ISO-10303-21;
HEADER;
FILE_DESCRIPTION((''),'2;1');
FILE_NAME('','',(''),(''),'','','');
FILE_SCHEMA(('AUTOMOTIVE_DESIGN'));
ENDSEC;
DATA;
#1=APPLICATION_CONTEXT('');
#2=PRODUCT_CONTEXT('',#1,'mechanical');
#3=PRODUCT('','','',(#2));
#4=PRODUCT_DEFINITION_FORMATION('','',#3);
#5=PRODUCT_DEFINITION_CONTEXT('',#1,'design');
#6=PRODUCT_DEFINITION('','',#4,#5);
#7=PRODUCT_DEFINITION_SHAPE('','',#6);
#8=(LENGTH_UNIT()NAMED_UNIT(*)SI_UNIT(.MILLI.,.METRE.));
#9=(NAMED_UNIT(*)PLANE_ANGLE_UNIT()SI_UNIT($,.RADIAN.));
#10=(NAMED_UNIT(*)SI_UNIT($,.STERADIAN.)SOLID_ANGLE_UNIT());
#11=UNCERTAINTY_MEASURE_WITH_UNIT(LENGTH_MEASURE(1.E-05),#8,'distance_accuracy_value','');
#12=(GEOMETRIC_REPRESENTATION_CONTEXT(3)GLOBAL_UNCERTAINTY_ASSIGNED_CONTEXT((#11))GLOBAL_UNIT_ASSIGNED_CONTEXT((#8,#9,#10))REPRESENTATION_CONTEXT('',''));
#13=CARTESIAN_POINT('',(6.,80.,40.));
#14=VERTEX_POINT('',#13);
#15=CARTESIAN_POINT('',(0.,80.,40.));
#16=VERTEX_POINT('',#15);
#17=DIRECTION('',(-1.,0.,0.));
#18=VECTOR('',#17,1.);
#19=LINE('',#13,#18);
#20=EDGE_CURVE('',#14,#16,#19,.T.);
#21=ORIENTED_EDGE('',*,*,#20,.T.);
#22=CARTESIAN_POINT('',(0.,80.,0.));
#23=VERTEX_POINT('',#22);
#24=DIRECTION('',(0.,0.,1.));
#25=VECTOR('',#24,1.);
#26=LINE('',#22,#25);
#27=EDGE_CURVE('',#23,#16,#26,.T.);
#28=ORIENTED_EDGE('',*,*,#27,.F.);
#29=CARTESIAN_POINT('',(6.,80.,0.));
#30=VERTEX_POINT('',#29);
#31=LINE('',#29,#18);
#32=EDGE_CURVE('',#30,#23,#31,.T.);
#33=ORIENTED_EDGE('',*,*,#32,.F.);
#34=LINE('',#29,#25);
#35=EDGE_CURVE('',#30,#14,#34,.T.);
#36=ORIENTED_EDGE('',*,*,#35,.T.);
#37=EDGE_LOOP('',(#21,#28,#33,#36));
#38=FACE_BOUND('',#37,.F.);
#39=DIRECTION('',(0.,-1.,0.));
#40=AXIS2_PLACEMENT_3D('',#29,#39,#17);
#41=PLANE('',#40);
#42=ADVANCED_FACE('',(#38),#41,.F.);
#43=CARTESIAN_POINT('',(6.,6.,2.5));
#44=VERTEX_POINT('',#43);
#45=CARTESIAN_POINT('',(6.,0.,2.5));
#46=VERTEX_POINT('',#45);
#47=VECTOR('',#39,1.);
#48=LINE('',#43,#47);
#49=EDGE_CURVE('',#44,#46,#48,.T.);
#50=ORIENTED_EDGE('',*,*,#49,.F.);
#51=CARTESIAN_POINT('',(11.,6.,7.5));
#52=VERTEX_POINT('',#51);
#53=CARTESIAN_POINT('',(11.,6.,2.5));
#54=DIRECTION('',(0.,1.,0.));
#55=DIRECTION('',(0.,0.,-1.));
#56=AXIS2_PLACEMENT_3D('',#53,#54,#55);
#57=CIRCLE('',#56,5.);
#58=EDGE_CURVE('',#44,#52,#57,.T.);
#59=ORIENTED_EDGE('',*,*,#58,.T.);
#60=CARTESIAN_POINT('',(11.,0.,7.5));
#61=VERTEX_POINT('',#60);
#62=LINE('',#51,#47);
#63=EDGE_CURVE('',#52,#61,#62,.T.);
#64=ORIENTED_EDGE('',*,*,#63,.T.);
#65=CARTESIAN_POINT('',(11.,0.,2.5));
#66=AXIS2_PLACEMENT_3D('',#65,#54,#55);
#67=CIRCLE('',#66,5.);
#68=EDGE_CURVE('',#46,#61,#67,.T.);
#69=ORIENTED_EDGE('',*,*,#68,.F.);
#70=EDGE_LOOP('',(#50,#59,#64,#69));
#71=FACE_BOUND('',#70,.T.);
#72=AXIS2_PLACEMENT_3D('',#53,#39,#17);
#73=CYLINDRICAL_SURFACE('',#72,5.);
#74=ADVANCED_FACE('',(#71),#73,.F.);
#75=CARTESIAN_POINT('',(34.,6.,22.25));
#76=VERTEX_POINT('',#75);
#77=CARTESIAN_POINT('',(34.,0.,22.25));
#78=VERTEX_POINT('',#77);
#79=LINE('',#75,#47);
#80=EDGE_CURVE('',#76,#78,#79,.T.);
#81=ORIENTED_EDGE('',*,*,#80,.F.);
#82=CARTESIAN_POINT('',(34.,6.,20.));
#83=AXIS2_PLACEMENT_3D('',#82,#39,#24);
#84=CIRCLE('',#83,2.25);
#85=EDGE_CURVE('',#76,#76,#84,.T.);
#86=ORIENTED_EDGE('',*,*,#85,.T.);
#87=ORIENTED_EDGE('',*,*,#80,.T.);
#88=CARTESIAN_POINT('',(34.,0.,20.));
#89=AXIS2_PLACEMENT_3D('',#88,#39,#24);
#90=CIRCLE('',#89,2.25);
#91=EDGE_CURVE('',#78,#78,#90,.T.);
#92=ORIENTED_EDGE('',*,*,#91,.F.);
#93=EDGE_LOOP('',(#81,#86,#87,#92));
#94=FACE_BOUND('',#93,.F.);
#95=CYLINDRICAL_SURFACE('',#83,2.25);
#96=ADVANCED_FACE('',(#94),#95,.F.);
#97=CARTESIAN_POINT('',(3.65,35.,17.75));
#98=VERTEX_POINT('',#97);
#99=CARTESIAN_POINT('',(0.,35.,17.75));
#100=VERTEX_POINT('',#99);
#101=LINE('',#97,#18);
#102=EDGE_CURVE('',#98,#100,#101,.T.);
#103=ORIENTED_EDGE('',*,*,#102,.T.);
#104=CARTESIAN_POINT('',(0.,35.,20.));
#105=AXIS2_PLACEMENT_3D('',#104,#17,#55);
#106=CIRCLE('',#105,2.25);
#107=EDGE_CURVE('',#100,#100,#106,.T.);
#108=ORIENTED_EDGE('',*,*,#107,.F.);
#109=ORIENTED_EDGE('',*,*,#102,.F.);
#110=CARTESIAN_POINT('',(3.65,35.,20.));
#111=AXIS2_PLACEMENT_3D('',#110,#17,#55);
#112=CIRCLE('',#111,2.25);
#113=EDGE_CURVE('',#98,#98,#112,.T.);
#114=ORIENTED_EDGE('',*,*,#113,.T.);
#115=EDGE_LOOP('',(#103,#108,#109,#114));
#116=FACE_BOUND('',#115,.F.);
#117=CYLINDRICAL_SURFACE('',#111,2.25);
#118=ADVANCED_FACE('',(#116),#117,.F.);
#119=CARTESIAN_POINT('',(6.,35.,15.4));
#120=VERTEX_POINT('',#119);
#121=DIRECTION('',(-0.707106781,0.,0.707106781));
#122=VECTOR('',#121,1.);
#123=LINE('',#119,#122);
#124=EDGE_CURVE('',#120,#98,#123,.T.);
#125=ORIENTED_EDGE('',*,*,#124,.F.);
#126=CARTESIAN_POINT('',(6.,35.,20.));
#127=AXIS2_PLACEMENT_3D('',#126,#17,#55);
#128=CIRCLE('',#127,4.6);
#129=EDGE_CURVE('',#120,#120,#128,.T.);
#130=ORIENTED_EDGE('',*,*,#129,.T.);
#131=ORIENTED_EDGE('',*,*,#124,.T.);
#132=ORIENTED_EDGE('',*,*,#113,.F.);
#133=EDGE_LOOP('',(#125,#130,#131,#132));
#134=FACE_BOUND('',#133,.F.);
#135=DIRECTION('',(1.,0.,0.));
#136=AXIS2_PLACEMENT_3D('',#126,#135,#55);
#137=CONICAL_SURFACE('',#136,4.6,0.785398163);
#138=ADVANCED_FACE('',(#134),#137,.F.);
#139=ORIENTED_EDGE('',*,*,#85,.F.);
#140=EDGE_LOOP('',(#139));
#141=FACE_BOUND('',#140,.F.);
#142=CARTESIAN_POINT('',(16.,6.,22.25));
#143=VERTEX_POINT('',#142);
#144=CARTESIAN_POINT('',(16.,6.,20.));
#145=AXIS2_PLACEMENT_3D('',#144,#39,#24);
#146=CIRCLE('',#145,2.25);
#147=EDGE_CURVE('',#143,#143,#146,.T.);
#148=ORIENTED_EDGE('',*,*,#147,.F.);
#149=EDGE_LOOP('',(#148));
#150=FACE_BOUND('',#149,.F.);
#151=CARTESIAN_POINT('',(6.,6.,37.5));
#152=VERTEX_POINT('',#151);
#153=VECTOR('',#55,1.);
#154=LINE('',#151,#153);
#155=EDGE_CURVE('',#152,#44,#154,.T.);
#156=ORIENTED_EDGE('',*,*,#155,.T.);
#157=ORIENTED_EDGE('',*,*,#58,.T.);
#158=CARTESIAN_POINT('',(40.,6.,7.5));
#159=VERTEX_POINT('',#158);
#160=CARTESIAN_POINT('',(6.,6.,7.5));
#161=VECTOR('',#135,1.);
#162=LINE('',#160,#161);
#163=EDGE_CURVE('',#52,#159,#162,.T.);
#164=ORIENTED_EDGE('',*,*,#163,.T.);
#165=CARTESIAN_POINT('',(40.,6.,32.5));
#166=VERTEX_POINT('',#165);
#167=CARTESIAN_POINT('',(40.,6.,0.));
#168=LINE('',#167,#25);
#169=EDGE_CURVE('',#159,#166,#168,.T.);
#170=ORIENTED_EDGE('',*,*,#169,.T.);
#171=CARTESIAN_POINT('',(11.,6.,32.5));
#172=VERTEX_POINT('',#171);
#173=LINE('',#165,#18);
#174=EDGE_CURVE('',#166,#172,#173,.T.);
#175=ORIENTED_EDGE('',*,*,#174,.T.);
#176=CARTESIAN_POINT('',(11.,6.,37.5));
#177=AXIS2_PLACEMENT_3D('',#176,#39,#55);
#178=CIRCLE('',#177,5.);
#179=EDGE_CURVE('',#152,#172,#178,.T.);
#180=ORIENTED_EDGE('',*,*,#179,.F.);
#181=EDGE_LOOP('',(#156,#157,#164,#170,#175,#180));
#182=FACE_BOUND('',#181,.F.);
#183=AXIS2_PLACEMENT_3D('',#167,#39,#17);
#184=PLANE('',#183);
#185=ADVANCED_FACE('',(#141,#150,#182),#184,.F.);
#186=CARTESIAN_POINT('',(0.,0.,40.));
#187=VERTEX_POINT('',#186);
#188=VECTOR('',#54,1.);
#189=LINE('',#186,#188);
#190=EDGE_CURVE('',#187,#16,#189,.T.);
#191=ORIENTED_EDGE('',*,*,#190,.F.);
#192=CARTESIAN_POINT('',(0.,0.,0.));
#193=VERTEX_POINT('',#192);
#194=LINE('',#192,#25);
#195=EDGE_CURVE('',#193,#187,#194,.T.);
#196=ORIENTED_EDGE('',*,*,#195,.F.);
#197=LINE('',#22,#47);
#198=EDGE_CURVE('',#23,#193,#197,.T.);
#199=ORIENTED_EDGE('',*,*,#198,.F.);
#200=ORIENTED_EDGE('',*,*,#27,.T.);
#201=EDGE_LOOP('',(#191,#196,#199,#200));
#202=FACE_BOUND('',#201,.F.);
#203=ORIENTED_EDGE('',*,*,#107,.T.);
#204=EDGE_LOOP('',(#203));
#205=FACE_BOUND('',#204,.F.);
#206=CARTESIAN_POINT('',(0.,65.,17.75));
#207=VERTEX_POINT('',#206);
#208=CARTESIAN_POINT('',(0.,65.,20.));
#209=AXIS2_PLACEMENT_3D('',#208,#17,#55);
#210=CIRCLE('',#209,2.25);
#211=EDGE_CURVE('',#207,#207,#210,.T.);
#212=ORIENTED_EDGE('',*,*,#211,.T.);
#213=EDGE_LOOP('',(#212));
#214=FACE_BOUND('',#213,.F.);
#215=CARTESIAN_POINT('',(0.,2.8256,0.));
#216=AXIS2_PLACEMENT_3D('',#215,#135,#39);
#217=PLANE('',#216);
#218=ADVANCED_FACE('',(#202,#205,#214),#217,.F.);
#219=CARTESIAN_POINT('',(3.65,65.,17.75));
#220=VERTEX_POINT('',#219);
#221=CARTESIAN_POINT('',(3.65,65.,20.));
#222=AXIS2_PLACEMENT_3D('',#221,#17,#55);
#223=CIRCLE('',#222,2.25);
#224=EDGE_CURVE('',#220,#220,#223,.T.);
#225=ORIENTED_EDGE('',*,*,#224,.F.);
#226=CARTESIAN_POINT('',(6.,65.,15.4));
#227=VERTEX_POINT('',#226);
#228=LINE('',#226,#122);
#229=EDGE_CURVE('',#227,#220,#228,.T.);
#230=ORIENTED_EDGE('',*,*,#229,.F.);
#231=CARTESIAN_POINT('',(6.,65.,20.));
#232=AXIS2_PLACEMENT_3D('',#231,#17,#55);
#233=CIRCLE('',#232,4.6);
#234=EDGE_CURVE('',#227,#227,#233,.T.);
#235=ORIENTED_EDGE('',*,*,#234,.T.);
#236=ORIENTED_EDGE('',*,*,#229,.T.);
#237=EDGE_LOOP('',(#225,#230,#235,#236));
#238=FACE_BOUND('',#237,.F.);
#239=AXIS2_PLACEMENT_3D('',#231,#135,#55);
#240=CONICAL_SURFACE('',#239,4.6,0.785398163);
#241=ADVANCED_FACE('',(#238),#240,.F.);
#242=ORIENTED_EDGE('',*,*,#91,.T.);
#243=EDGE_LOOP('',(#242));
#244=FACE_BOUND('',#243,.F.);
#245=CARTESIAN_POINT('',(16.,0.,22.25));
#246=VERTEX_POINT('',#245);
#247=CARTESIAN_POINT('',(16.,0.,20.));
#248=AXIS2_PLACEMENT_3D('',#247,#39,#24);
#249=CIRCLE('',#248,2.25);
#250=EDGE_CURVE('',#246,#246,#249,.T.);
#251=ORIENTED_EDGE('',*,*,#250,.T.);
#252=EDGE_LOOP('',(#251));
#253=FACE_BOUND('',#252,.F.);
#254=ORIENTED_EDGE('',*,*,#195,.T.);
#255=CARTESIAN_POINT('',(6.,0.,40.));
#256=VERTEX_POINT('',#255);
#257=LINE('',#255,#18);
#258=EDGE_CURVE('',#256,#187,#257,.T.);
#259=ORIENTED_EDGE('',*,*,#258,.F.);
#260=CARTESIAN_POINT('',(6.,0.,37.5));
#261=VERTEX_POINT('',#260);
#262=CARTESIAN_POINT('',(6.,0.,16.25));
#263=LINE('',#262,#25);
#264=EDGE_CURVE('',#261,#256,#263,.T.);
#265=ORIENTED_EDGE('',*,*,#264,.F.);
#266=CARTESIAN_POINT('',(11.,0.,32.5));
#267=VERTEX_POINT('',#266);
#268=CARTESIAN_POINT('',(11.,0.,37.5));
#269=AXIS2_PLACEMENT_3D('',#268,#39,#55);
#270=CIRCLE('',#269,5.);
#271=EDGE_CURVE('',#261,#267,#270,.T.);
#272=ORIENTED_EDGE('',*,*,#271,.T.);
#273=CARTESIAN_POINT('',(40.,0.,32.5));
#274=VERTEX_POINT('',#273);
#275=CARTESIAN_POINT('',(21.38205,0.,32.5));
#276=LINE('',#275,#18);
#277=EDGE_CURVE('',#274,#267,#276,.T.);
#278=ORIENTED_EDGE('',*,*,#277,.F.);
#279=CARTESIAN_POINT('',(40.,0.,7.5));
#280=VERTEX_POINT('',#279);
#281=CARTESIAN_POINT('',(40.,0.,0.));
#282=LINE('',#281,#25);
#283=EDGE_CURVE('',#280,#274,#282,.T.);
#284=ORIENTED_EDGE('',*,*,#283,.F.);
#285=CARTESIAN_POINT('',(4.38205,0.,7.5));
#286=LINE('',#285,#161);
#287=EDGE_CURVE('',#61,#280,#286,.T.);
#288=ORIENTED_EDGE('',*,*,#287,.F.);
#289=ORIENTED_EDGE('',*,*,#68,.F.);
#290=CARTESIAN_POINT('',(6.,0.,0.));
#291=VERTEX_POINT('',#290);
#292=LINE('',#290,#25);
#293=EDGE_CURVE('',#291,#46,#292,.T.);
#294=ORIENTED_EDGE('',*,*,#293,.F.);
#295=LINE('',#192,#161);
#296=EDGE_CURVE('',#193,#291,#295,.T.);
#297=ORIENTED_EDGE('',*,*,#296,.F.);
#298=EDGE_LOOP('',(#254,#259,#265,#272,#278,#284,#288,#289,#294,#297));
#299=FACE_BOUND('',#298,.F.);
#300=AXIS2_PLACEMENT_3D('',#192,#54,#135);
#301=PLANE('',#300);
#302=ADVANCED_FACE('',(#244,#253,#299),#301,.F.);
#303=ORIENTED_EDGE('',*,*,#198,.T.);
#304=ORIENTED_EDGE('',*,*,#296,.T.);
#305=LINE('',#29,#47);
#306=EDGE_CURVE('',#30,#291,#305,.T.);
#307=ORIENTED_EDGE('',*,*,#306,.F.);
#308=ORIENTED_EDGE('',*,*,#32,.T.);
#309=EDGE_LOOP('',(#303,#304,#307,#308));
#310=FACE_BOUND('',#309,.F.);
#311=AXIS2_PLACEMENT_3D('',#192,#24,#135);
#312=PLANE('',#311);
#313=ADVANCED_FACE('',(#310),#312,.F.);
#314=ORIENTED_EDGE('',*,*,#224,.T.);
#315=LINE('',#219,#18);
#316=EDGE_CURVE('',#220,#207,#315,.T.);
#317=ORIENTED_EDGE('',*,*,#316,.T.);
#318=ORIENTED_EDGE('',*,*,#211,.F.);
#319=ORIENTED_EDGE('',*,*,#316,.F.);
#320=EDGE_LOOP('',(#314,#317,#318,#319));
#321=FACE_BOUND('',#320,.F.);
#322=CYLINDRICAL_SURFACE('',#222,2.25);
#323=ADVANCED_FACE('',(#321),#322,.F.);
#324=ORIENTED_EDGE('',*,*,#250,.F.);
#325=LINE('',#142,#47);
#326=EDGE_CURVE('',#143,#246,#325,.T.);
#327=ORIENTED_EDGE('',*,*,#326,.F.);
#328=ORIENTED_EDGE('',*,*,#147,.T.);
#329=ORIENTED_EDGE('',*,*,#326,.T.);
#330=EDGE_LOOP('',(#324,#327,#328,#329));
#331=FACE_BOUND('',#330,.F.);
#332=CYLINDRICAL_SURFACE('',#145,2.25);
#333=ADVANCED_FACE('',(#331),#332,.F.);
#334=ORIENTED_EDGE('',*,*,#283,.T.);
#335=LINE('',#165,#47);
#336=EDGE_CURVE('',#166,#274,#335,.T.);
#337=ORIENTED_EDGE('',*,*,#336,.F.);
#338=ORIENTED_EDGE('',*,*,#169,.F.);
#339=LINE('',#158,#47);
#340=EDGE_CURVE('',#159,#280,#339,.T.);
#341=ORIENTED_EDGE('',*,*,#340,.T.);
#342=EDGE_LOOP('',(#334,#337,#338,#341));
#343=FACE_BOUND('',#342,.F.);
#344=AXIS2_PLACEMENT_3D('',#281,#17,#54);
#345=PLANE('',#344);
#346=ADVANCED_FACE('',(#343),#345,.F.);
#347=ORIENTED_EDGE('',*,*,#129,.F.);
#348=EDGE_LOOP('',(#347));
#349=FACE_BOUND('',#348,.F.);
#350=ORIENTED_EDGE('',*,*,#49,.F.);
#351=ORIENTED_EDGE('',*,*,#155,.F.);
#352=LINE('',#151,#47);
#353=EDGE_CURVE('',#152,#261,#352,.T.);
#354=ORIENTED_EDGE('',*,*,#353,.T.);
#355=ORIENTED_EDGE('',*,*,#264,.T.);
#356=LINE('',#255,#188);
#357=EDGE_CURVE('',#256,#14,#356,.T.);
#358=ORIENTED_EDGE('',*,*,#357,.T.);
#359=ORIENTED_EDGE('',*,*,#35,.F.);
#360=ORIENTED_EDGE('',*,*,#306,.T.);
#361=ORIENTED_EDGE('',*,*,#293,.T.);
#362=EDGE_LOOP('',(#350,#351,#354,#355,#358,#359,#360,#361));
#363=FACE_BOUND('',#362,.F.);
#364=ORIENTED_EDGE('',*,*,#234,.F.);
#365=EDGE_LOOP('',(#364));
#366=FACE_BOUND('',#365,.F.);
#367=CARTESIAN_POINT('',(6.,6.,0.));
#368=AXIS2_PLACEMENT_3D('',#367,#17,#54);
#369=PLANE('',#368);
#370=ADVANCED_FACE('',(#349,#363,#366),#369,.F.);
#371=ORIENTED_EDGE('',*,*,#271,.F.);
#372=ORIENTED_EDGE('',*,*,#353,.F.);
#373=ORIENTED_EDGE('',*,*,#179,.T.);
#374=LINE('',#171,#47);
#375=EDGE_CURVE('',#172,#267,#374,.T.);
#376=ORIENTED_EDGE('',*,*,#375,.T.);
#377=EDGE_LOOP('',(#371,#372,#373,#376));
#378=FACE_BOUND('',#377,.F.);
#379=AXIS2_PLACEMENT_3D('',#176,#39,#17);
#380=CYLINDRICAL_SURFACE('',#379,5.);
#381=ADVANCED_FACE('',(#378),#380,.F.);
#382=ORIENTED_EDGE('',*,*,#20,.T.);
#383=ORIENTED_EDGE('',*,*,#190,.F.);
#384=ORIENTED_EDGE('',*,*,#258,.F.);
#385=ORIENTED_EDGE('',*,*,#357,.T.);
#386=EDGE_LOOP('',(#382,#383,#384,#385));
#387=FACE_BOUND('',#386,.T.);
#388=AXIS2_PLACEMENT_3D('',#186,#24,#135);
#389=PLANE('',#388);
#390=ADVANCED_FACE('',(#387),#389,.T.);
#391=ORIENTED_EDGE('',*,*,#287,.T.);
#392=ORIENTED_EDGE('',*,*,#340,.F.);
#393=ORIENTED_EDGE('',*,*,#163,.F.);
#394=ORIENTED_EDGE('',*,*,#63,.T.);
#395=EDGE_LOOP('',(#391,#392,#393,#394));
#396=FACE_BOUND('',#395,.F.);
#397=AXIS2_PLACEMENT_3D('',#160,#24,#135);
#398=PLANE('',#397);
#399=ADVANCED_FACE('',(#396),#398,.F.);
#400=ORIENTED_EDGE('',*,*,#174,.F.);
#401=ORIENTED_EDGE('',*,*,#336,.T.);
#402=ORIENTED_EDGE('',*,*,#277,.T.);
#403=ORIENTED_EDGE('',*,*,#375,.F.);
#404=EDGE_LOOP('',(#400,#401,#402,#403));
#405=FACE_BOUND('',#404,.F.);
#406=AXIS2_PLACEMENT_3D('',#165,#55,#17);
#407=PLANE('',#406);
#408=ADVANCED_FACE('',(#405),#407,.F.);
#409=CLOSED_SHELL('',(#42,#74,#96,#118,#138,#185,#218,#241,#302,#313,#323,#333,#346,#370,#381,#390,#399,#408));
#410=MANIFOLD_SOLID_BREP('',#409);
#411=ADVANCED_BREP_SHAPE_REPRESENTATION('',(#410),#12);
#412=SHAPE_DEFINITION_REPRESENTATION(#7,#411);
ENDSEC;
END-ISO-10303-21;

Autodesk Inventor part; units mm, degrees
ref_plane "YZ Plane" through (0, 0, 0) normal (1, 0, 0) x (0, 1, 0)
ref_plane "XZ Plane" through (0, 0, 0) normal (0, 1, 0) x (-1, 0, 0)
ref_plane "XY Plane" through (0, 0, 0) normal (0, 0, 1) x (1, 0, 0)
sketch "Skizze1" plane through (0, 0, 0) normal (0, 0, 1) x (1, 0, 0)
  line L0 (0, 0) -> (2.7641, 0)
  line L1 (6, 6) -> (6, 80)
  line L2 (6, 80) -> (0, 80)
  line L3 (0, 80) -> (0, 0)
  line L4 (-8, 0) -> (48, 0) projected
  line L5 (0, -16) -> (0, 96) projected
  line L6 (0, 0) -> (40, 0)
  line L7 (40, 0) -> (40, 6)
  line L8 (40, 6) -> (6, 6)
  line L9 (0, 2.8256) -> (0, 0)
  dimension "d0" = 80
  dimension "d1" = 40
  dimension "d2" = 6
extrude "Extrusion1" add sketch "Skizze1" along normal blind 40
sketch "Skizze2" plane through (6, 6, 0) normal (0, 1, 0) x (1, 0, 0)
  line L0 (34, 0) -> (34, -40) projected
  line L1 (0, 0) -> (0, -40) projected
  line L2 (0, -20) -> (34, -20)
  line L3 (0, -7.5) -> (34, -7.5)
  line L4 (34, -7.5) -> (34, -32.5)
  line L5 (34, -32.5) -> (0, -32.5)
  line L6 (0, -32.5) -> (0, -7.5)
  line L7 (34, -7.5) -> (0, -7.5)
  line L8 (0, -7.5) -> (0, 0)
  line L9 (0, 0) -> (34, 0)
  line L10 (34, 0) -> (34, -7.5)
  line L11 (34, -40) -> (0, -40)
  line L12 (0, -40) -> (0, -32.5)
  line L13 (0, -32.5) -> (34, -32.5)
  line L14 (34, -32.5) -> (34, -40)
  point P0 (-6, 0)
  dimension "d5" = 25
extrude "Extrusion2" cut sketch "Skizze2" against normal through all contours L0 L3 L1 L9 | L0 L11 L1 L5
sketch "Skizze3" plane through (0, 0, 0) normal (-1, 0, 0) x (0, 0, 1)
  line L0 (0, 80) -> (40, 80) projected
  line L1 (0, 0) -> (40, 0) projected
  line L2 (20, 80) -> (20, 0)
  point P0 (20, 65)
  point P1 (20, 35)
  dimension "d8" = 15
  dimension "d9" = 30
hole "Bohrung1" at (0, 65, 20) at (0, 35, 20) direction (1, 0, 0) diameter 4 end through all
sketch "Skizze4" plane through (6, 6, 32.5) normal (0, 1, 0) x (1, 0, 0)
  line L0 (34, 25) -> (34, 0) projected
  line L1 (0, 25) -> (0, 0) projected
  line L2 (34, 12.5) -> (0, 12.5)
  point P0 (-6, 32.5)
  point P1 (28, 12.5)
  point P2 (10, 12.5)
  dimension "d17" = 18
  dimension "d44" = 6
hole "Bohrung2" at (34, 6, 20) at (16, 6, 20) direction (0, -1, 0) diameter 4.5 end through all
fillet "Rundung1" radius 5 2 edges at (6, 3, 32.5) (6, 3, 7.5)
sketch "Skizze5" plane through (6, 0, 0) normal (1, 0, 0) x (0, 0, -1)
  circle A0 centre (-20, 65) radius 2 projected
  circle A1 centre (-20, 35) radius 2 projected
hole "Bohrung5" at (6, 65, 20) at (6, 35, 20) direction (-1, 0, 0) diameter 4.5 end through all countersink diameter 9.2 countersink angle 90
properties part number "1_0204_003"
